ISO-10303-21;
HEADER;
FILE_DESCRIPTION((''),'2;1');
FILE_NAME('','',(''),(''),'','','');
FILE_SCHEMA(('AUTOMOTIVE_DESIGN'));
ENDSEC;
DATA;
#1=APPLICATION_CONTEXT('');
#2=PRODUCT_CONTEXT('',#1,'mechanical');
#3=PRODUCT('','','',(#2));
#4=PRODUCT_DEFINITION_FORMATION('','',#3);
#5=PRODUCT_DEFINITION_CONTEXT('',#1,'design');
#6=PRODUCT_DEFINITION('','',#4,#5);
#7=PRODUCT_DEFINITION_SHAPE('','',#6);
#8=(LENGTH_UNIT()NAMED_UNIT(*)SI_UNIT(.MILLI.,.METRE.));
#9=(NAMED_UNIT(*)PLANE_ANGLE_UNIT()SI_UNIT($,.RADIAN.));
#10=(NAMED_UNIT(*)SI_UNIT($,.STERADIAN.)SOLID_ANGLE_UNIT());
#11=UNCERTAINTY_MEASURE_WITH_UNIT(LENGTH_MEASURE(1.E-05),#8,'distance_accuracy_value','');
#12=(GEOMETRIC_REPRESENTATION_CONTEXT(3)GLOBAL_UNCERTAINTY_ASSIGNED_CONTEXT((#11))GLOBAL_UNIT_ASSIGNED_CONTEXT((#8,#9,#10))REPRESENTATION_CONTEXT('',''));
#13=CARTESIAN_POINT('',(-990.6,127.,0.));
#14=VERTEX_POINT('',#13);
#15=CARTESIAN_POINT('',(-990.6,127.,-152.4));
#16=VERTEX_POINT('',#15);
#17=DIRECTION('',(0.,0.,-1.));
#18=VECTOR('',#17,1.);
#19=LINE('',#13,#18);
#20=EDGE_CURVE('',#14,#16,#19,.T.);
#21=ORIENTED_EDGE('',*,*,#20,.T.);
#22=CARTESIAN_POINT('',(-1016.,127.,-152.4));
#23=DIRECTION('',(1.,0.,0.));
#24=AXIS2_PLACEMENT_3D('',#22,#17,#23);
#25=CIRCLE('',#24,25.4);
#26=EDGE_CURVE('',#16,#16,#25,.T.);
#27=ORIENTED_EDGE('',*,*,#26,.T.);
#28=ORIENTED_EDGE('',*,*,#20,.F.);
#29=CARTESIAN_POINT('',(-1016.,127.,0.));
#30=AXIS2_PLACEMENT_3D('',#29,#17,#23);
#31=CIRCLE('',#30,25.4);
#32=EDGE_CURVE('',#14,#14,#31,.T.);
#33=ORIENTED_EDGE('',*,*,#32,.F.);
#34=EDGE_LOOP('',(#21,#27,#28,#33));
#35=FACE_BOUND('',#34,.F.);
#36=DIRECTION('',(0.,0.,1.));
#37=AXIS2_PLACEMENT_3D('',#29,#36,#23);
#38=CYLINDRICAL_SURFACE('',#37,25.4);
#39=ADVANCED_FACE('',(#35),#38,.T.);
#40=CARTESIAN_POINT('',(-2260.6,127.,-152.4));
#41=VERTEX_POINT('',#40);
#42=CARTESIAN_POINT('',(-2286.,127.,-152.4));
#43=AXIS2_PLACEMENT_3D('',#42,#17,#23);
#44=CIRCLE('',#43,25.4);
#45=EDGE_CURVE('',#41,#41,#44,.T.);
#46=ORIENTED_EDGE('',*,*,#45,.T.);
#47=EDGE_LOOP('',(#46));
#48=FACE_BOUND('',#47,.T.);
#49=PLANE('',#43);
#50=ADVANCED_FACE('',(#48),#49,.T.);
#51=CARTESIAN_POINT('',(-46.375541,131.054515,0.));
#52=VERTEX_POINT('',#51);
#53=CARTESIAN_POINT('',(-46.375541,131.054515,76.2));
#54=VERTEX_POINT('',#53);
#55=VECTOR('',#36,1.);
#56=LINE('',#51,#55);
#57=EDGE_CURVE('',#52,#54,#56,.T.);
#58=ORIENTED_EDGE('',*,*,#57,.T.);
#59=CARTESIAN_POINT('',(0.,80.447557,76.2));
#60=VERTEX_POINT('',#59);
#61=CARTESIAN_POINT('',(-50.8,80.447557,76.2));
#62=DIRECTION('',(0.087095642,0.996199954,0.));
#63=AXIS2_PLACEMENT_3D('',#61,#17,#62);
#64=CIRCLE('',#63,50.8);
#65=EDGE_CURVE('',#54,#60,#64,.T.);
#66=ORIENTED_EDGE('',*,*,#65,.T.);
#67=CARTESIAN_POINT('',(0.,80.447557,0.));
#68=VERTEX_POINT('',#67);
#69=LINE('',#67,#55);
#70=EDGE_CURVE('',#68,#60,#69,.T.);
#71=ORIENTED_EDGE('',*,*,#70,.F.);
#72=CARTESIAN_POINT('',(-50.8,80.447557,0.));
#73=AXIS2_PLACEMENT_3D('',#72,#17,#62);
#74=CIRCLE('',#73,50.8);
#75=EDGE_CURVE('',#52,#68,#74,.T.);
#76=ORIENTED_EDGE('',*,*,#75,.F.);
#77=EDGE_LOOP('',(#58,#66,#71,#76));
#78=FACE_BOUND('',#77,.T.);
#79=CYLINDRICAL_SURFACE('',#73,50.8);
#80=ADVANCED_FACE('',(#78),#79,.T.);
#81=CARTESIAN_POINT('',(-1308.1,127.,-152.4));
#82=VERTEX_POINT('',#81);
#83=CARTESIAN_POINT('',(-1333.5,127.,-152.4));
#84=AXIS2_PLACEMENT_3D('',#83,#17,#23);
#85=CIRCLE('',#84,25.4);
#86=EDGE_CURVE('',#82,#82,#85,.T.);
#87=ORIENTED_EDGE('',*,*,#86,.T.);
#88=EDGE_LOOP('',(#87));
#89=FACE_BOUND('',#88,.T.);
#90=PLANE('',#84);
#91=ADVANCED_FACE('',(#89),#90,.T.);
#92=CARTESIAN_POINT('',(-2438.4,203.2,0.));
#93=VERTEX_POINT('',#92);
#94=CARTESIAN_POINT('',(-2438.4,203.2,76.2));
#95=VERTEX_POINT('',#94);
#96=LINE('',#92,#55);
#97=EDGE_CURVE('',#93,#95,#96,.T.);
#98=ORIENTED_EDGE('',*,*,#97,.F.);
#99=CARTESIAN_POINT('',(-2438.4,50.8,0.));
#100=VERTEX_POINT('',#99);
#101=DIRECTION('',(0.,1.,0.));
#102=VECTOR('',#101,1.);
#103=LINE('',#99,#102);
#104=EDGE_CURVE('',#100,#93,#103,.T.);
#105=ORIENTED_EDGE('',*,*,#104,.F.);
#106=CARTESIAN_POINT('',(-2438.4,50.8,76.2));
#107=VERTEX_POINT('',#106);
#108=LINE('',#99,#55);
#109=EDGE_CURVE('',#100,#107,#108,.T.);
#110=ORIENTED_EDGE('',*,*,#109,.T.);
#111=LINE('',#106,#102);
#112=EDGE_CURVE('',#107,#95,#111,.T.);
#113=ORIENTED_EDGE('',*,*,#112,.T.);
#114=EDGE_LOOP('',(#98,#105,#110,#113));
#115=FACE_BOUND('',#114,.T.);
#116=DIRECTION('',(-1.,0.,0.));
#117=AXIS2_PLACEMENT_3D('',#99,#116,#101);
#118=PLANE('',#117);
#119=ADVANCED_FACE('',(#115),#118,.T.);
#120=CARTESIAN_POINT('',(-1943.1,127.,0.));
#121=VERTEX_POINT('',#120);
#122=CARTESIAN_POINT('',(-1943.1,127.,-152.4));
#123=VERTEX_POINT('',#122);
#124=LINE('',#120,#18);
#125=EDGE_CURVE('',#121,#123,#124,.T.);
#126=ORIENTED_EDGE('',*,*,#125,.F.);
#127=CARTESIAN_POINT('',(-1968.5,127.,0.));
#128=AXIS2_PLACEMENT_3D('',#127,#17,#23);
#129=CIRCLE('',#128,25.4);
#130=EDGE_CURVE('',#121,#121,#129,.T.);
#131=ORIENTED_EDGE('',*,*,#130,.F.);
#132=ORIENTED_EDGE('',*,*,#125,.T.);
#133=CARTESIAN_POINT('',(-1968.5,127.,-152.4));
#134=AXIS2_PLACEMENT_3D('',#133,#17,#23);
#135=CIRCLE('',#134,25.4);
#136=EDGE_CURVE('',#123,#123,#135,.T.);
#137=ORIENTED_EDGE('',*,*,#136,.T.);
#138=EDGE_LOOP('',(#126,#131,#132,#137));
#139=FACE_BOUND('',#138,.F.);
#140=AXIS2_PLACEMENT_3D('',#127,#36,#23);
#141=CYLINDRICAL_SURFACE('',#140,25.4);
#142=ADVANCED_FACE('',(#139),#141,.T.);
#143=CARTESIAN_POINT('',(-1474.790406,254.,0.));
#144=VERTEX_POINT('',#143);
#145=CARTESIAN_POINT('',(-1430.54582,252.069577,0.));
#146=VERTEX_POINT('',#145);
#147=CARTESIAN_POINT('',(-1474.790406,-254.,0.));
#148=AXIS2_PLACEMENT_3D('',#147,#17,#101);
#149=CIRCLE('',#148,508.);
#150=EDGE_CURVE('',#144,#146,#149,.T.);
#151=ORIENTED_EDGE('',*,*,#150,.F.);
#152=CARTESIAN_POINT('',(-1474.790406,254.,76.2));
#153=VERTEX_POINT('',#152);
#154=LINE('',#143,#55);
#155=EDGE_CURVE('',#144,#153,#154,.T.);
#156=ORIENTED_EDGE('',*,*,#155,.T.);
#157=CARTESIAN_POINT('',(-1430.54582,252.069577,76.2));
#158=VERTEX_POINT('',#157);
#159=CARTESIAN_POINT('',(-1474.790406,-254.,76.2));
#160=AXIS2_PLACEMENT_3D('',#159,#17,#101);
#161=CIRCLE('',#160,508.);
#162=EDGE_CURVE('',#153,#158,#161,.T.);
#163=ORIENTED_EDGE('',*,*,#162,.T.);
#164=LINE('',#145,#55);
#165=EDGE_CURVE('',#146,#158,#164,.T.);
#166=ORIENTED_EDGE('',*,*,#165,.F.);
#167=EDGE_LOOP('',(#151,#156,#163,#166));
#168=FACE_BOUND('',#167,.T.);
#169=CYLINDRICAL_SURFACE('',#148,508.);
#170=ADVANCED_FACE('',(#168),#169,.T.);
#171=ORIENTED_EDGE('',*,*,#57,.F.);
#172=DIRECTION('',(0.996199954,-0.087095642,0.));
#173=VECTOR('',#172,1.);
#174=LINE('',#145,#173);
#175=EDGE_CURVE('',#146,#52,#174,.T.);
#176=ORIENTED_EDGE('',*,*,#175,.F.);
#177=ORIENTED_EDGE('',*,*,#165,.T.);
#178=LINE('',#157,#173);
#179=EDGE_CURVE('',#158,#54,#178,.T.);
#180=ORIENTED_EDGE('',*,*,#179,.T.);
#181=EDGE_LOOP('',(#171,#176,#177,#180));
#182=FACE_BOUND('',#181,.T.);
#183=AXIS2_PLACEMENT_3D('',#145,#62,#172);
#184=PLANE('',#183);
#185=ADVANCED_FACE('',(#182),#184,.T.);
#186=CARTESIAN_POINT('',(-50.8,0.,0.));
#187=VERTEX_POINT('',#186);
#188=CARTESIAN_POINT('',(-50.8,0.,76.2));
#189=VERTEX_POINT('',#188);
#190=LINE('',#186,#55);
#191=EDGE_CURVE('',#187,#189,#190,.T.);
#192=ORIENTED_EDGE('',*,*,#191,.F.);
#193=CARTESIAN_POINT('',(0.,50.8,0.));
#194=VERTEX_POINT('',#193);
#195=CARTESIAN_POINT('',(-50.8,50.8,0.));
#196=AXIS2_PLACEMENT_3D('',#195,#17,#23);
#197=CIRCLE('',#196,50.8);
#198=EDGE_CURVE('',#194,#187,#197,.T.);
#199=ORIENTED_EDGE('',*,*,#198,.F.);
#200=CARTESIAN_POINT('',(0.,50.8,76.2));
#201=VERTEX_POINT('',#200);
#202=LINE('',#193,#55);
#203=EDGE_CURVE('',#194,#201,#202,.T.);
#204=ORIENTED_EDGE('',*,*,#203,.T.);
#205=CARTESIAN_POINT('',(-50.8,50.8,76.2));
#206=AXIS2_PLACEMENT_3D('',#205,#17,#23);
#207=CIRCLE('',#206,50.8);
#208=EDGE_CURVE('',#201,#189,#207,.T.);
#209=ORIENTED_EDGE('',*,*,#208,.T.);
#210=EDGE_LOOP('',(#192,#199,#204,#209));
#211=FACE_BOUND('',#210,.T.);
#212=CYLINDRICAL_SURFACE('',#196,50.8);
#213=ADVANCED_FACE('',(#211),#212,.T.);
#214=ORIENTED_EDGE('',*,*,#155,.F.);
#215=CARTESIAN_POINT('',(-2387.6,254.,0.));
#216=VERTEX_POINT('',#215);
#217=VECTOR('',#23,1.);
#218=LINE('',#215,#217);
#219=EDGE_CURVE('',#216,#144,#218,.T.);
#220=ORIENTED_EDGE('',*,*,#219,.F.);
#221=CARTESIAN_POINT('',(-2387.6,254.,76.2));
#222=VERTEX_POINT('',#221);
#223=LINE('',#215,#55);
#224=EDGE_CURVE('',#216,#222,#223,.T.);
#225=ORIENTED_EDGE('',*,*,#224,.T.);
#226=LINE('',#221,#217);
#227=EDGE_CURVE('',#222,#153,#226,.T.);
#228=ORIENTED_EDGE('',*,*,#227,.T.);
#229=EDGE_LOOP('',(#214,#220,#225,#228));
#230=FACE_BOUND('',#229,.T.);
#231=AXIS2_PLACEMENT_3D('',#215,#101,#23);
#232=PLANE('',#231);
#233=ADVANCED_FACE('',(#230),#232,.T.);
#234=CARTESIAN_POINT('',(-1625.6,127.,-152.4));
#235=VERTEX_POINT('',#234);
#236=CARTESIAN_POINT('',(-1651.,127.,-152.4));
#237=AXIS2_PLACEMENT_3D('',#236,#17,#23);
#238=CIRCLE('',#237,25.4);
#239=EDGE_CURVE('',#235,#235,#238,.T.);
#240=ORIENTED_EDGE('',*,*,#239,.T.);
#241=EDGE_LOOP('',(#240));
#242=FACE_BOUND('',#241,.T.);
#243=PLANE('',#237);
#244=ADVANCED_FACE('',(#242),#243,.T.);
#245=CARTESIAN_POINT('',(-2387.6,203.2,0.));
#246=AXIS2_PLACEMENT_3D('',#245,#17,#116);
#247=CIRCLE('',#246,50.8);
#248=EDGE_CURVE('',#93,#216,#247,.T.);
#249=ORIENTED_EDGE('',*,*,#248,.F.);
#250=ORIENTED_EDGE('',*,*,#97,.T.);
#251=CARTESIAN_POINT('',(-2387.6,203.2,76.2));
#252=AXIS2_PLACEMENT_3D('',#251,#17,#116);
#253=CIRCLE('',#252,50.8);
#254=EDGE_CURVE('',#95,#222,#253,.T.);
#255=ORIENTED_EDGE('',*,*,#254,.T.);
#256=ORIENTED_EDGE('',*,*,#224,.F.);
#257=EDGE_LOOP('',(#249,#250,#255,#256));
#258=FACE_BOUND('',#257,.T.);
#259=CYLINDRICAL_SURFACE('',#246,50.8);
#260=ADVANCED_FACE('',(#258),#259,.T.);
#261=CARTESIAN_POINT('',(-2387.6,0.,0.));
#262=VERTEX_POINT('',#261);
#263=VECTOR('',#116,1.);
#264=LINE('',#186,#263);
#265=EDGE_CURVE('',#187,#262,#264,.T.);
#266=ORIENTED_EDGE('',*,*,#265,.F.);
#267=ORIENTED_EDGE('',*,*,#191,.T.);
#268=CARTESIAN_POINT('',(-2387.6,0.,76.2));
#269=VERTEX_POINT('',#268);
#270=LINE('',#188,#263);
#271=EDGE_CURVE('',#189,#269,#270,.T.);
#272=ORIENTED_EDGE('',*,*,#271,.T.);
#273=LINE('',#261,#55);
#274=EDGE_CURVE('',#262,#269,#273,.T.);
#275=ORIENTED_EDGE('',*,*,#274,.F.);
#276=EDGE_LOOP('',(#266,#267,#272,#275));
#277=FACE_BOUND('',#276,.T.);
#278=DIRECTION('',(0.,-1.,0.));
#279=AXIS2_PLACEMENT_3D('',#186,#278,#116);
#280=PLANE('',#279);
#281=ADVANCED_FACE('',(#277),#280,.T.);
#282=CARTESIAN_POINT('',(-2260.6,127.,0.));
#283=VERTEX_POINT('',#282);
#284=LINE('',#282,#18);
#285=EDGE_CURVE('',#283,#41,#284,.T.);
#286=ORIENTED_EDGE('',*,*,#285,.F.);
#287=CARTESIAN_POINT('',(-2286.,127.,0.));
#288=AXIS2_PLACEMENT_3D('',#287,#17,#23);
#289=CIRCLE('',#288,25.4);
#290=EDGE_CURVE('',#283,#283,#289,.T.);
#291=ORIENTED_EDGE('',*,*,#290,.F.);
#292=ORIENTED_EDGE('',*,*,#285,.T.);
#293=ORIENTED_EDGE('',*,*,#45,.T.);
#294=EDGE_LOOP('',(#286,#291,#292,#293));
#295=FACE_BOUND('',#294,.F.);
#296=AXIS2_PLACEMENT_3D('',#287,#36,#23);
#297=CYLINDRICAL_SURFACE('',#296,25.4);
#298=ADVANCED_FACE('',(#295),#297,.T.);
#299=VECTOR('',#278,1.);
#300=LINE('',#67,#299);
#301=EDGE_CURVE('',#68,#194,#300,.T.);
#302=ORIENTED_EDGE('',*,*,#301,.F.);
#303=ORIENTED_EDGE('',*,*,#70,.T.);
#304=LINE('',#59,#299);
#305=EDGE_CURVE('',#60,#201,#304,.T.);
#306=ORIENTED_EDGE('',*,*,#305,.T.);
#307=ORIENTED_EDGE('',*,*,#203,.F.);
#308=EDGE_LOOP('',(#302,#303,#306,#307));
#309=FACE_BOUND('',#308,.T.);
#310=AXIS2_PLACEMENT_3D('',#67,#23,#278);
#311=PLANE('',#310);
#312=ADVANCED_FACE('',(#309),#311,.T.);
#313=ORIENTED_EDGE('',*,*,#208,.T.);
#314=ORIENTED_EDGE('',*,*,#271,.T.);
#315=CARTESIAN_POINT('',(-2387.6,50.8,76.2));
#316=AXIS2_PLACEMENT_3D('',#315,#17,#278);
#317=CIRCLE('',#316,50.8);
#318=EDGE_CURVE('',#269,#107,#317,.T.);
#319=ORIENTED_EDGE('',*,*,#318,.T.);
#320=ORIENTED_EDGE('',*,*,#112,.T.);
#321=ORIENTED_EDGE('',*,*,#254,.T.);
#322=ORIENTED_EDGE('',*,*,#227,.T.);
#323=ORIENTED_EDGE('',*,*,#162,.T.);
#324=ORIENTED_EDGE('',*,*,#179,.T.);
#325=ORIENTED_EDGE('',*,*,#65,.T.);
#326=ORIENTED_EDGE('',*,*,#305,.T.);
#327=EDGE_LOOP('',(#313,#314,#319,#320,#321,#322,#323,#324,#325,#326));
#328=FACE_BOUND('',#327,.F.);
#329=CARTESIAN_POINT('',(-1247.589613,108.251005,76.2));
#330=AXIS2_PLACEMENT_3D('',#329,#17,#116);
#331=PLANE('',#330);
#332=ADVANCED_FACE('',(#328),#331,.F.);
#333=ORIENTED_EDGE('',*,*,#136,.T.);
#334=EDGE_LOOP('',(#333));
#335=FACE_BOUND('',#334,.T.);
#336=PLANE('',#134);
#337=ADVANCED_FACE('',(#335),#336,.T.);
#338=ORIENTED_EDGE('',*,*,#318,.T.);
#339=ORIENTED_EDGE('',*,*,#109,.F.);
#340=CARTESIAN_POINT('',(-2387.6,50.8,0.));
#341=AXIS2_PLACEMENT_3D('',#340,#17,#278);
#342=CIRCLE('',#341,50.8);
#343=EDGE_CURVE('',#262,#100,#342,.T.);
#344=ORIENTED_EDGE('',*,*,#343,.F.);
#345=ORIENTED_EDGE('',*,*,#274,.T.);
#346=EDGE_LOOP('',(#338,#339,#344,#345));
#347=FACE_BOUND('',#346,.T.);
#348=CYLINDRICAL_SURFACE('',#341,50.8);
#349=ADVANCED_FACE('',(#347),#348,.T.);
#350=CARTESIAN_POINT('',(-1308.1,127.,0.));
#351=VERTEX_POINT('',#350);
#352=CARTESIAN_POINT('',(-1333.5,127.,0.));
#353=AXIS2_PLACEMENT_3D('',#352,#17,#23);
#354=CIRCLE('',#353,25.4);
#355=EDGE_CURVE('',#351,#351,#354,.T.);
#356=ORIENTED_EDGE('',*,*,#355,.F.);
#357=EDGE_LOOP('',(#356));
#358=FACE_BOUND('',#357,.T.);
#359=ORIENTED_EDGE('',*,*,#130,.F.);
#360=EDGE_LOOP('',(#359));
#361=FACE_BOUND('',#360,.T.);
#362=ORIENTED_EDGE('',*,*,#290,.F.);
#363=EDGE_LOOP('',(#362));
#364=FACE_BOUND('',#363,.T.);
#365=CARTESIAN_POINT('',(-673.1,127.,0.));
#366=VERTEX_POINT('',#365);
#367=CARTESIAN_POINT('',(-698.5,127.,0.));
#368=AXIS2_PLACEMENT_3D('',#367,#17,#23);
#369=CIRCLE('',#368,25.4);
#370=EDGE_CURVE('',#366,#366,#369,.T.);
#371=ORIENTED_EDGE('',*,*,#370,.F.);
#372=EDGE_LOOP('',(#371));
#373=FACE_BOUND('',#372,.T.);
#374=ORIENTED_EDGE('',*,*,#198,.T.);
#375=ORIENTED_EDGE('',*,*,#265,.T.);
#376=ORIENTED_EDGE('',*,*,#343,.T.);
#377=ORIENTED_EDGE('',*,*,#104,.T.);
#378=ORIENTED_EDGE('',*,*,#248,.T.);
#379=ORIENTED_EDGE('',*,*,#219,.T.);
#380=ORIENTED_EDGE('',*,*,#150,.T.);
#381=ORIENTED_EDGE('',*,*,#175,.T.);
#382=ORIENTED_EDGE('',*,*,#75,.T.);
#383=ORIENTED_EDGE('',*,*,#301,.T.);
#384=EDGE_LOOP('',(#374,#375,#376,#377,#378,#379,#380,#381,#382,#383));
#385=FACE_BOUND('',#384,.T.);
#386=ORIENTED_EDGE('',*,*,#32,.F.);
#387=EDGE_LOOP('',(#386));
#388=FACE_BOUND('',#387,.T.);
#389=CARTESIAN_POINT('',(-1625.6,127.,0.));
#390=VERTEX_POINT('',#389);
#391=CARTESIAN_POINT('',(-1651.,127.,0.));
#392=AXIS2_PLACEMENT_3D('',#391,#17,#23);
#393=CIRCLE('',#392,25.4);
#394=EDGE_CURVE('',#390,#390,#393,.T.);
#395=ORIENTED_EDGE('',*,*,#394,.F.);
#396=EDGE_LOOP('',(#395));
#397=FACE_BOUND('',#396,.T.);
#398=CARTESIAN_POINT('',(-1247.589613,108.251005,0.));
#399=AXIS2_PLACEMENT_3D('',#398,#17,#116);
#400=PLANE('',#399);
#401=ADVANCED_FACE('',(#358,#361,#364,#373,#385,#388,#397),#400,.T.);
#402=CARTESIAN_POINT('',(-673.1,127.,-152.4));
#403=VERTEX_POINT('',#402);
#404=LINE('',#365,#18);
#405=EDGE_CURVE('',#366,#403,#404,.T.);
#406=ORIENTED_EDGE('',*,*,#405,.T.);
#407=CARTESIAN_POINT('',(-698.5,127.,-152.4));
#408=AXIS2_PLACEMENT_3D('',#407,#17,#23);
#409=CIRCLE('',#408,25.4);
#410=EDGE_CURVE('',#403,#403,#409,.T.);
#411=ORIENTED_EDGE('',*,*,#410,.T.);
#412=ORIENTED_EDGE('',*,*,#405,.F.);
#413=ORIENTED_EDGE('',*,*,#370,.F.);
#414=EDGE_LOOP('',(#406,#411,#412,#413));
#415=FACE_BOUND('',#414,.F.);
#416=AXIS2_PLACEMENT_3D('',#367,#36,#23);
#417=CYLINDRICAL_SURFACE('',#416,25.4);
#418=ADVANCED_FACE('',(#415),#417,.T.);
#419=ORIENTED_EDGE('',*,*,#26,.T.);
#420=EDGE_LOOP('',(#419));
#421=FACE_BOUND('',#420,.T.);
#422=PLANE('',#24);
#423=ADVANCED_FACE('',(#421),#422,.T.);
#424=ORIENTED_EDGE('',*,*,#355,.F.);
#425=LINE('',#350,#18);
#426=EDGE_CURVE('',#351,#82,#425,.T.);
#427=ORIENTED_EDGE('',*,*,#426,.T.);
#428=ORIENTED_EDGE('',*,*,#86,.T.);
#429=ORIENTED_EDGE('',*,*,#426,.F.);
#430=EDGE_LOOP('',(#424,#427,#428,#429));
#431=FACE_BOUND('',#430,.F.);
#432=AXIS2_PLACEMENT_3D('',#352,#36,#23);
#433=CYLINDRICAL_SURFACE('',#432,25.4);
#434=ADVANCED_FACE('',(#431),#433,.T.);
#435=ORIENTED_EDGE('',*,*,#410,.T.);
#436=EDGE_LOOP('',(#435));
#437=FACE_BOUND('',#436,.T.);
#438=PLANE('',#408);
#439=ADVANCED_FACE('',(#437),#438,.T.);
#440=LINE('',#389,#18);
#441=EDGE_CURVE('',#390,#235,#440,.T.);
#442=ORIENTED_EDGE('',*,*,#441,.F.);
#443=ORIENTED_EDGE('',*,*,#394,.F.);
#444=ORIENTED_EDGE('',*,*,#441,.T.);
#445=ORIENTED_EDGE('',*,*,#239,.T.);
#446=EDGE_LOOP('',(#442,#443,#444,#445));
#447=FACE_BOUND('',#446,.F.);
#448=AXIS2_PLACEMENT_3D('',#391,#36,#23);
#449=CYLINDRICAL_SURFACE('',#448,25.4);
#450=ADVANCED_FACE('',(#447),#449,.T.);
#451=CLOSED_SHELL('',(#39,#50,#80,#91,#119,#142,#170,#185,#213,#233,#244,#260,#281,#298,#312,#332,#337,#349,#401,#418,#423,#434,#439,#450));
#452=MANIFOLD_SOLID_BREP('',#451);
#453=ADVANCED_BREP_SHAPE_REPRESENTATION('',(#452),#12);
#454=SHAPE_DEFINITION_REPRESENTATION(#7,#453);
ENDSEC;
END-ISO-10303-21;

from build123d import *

# Parameters (mm, degrees)
BOSS_EXTRUDE1_DEPTH = 76.2
SKETCH2_R           = 25.4
BOSS_EXTRUDE2_DEPTH = 152.4
LPATTERN1_COUNT     = 6
LPATTERN1_PITCH     = 317.5


with BuildPart() as part:
    # Sketch1 → Boss-Extrude1 (new body)
    with BuildSketch(Plane.XY):
        with BuildLine():
            Line((-50.8, 0), (-2387.6, 0))
            ThreePointArc((-2387.6, 0), (-2423.521024484, 14.878975516), (-2438.4, 50.8))
            Line((-2438.4, 50.8), (-2438.4, 203.2))
            ThreePointArc((-2438.4, 203.2), (-2423.521024484, 239.121024484), (-2387.6, 254))
            Line((-2387.6, 254), (-1474.790405971, 254))
            ThreePointArc((-1474.790405971, 254), (-1452.64706645, 253.517164749), (-1430.545819782, 252.06957683))
            Line((-1430.545819782, 252.06957683), (-46.375541381, 131.054514896))
            ThreePointArc((-46.375541381, 131.054514896), (-13.34734657, 114.768669536), (0, 80.447557213))
            Line((0, 80.447557213), (0, 50.8))
            ThreePointArc((0, 50.8), (-14.878975516, 14.878975516), (-50.8, 0))
        make_face()
    extrude(amount=BOSS_EXTRUDE1_DEPTH)

    # Sketch2 → Boss-Extrude2 (add)
    with BuildSketch(Plane(origin=(0, 0, 0), x_dir=(-1, 0, 0), z_dir=(0, 0, -1))):
        with Locations(Location((2286, 127, 0), (0, 0, 180))):
            Circle(SKETCH2_R)
    boss_extrude2 = extrude(amount=BOSS_EXTRUDE2_DEPTH)

    # LPattern1: Boss-Extrude2 ×6
    with Locations(*[(i * LPATTERN1_PITCH, 0, 0) for i in range(1, LPATTERN1_COUNT)]):
        add(boss_extrude2)


solid = part.part
